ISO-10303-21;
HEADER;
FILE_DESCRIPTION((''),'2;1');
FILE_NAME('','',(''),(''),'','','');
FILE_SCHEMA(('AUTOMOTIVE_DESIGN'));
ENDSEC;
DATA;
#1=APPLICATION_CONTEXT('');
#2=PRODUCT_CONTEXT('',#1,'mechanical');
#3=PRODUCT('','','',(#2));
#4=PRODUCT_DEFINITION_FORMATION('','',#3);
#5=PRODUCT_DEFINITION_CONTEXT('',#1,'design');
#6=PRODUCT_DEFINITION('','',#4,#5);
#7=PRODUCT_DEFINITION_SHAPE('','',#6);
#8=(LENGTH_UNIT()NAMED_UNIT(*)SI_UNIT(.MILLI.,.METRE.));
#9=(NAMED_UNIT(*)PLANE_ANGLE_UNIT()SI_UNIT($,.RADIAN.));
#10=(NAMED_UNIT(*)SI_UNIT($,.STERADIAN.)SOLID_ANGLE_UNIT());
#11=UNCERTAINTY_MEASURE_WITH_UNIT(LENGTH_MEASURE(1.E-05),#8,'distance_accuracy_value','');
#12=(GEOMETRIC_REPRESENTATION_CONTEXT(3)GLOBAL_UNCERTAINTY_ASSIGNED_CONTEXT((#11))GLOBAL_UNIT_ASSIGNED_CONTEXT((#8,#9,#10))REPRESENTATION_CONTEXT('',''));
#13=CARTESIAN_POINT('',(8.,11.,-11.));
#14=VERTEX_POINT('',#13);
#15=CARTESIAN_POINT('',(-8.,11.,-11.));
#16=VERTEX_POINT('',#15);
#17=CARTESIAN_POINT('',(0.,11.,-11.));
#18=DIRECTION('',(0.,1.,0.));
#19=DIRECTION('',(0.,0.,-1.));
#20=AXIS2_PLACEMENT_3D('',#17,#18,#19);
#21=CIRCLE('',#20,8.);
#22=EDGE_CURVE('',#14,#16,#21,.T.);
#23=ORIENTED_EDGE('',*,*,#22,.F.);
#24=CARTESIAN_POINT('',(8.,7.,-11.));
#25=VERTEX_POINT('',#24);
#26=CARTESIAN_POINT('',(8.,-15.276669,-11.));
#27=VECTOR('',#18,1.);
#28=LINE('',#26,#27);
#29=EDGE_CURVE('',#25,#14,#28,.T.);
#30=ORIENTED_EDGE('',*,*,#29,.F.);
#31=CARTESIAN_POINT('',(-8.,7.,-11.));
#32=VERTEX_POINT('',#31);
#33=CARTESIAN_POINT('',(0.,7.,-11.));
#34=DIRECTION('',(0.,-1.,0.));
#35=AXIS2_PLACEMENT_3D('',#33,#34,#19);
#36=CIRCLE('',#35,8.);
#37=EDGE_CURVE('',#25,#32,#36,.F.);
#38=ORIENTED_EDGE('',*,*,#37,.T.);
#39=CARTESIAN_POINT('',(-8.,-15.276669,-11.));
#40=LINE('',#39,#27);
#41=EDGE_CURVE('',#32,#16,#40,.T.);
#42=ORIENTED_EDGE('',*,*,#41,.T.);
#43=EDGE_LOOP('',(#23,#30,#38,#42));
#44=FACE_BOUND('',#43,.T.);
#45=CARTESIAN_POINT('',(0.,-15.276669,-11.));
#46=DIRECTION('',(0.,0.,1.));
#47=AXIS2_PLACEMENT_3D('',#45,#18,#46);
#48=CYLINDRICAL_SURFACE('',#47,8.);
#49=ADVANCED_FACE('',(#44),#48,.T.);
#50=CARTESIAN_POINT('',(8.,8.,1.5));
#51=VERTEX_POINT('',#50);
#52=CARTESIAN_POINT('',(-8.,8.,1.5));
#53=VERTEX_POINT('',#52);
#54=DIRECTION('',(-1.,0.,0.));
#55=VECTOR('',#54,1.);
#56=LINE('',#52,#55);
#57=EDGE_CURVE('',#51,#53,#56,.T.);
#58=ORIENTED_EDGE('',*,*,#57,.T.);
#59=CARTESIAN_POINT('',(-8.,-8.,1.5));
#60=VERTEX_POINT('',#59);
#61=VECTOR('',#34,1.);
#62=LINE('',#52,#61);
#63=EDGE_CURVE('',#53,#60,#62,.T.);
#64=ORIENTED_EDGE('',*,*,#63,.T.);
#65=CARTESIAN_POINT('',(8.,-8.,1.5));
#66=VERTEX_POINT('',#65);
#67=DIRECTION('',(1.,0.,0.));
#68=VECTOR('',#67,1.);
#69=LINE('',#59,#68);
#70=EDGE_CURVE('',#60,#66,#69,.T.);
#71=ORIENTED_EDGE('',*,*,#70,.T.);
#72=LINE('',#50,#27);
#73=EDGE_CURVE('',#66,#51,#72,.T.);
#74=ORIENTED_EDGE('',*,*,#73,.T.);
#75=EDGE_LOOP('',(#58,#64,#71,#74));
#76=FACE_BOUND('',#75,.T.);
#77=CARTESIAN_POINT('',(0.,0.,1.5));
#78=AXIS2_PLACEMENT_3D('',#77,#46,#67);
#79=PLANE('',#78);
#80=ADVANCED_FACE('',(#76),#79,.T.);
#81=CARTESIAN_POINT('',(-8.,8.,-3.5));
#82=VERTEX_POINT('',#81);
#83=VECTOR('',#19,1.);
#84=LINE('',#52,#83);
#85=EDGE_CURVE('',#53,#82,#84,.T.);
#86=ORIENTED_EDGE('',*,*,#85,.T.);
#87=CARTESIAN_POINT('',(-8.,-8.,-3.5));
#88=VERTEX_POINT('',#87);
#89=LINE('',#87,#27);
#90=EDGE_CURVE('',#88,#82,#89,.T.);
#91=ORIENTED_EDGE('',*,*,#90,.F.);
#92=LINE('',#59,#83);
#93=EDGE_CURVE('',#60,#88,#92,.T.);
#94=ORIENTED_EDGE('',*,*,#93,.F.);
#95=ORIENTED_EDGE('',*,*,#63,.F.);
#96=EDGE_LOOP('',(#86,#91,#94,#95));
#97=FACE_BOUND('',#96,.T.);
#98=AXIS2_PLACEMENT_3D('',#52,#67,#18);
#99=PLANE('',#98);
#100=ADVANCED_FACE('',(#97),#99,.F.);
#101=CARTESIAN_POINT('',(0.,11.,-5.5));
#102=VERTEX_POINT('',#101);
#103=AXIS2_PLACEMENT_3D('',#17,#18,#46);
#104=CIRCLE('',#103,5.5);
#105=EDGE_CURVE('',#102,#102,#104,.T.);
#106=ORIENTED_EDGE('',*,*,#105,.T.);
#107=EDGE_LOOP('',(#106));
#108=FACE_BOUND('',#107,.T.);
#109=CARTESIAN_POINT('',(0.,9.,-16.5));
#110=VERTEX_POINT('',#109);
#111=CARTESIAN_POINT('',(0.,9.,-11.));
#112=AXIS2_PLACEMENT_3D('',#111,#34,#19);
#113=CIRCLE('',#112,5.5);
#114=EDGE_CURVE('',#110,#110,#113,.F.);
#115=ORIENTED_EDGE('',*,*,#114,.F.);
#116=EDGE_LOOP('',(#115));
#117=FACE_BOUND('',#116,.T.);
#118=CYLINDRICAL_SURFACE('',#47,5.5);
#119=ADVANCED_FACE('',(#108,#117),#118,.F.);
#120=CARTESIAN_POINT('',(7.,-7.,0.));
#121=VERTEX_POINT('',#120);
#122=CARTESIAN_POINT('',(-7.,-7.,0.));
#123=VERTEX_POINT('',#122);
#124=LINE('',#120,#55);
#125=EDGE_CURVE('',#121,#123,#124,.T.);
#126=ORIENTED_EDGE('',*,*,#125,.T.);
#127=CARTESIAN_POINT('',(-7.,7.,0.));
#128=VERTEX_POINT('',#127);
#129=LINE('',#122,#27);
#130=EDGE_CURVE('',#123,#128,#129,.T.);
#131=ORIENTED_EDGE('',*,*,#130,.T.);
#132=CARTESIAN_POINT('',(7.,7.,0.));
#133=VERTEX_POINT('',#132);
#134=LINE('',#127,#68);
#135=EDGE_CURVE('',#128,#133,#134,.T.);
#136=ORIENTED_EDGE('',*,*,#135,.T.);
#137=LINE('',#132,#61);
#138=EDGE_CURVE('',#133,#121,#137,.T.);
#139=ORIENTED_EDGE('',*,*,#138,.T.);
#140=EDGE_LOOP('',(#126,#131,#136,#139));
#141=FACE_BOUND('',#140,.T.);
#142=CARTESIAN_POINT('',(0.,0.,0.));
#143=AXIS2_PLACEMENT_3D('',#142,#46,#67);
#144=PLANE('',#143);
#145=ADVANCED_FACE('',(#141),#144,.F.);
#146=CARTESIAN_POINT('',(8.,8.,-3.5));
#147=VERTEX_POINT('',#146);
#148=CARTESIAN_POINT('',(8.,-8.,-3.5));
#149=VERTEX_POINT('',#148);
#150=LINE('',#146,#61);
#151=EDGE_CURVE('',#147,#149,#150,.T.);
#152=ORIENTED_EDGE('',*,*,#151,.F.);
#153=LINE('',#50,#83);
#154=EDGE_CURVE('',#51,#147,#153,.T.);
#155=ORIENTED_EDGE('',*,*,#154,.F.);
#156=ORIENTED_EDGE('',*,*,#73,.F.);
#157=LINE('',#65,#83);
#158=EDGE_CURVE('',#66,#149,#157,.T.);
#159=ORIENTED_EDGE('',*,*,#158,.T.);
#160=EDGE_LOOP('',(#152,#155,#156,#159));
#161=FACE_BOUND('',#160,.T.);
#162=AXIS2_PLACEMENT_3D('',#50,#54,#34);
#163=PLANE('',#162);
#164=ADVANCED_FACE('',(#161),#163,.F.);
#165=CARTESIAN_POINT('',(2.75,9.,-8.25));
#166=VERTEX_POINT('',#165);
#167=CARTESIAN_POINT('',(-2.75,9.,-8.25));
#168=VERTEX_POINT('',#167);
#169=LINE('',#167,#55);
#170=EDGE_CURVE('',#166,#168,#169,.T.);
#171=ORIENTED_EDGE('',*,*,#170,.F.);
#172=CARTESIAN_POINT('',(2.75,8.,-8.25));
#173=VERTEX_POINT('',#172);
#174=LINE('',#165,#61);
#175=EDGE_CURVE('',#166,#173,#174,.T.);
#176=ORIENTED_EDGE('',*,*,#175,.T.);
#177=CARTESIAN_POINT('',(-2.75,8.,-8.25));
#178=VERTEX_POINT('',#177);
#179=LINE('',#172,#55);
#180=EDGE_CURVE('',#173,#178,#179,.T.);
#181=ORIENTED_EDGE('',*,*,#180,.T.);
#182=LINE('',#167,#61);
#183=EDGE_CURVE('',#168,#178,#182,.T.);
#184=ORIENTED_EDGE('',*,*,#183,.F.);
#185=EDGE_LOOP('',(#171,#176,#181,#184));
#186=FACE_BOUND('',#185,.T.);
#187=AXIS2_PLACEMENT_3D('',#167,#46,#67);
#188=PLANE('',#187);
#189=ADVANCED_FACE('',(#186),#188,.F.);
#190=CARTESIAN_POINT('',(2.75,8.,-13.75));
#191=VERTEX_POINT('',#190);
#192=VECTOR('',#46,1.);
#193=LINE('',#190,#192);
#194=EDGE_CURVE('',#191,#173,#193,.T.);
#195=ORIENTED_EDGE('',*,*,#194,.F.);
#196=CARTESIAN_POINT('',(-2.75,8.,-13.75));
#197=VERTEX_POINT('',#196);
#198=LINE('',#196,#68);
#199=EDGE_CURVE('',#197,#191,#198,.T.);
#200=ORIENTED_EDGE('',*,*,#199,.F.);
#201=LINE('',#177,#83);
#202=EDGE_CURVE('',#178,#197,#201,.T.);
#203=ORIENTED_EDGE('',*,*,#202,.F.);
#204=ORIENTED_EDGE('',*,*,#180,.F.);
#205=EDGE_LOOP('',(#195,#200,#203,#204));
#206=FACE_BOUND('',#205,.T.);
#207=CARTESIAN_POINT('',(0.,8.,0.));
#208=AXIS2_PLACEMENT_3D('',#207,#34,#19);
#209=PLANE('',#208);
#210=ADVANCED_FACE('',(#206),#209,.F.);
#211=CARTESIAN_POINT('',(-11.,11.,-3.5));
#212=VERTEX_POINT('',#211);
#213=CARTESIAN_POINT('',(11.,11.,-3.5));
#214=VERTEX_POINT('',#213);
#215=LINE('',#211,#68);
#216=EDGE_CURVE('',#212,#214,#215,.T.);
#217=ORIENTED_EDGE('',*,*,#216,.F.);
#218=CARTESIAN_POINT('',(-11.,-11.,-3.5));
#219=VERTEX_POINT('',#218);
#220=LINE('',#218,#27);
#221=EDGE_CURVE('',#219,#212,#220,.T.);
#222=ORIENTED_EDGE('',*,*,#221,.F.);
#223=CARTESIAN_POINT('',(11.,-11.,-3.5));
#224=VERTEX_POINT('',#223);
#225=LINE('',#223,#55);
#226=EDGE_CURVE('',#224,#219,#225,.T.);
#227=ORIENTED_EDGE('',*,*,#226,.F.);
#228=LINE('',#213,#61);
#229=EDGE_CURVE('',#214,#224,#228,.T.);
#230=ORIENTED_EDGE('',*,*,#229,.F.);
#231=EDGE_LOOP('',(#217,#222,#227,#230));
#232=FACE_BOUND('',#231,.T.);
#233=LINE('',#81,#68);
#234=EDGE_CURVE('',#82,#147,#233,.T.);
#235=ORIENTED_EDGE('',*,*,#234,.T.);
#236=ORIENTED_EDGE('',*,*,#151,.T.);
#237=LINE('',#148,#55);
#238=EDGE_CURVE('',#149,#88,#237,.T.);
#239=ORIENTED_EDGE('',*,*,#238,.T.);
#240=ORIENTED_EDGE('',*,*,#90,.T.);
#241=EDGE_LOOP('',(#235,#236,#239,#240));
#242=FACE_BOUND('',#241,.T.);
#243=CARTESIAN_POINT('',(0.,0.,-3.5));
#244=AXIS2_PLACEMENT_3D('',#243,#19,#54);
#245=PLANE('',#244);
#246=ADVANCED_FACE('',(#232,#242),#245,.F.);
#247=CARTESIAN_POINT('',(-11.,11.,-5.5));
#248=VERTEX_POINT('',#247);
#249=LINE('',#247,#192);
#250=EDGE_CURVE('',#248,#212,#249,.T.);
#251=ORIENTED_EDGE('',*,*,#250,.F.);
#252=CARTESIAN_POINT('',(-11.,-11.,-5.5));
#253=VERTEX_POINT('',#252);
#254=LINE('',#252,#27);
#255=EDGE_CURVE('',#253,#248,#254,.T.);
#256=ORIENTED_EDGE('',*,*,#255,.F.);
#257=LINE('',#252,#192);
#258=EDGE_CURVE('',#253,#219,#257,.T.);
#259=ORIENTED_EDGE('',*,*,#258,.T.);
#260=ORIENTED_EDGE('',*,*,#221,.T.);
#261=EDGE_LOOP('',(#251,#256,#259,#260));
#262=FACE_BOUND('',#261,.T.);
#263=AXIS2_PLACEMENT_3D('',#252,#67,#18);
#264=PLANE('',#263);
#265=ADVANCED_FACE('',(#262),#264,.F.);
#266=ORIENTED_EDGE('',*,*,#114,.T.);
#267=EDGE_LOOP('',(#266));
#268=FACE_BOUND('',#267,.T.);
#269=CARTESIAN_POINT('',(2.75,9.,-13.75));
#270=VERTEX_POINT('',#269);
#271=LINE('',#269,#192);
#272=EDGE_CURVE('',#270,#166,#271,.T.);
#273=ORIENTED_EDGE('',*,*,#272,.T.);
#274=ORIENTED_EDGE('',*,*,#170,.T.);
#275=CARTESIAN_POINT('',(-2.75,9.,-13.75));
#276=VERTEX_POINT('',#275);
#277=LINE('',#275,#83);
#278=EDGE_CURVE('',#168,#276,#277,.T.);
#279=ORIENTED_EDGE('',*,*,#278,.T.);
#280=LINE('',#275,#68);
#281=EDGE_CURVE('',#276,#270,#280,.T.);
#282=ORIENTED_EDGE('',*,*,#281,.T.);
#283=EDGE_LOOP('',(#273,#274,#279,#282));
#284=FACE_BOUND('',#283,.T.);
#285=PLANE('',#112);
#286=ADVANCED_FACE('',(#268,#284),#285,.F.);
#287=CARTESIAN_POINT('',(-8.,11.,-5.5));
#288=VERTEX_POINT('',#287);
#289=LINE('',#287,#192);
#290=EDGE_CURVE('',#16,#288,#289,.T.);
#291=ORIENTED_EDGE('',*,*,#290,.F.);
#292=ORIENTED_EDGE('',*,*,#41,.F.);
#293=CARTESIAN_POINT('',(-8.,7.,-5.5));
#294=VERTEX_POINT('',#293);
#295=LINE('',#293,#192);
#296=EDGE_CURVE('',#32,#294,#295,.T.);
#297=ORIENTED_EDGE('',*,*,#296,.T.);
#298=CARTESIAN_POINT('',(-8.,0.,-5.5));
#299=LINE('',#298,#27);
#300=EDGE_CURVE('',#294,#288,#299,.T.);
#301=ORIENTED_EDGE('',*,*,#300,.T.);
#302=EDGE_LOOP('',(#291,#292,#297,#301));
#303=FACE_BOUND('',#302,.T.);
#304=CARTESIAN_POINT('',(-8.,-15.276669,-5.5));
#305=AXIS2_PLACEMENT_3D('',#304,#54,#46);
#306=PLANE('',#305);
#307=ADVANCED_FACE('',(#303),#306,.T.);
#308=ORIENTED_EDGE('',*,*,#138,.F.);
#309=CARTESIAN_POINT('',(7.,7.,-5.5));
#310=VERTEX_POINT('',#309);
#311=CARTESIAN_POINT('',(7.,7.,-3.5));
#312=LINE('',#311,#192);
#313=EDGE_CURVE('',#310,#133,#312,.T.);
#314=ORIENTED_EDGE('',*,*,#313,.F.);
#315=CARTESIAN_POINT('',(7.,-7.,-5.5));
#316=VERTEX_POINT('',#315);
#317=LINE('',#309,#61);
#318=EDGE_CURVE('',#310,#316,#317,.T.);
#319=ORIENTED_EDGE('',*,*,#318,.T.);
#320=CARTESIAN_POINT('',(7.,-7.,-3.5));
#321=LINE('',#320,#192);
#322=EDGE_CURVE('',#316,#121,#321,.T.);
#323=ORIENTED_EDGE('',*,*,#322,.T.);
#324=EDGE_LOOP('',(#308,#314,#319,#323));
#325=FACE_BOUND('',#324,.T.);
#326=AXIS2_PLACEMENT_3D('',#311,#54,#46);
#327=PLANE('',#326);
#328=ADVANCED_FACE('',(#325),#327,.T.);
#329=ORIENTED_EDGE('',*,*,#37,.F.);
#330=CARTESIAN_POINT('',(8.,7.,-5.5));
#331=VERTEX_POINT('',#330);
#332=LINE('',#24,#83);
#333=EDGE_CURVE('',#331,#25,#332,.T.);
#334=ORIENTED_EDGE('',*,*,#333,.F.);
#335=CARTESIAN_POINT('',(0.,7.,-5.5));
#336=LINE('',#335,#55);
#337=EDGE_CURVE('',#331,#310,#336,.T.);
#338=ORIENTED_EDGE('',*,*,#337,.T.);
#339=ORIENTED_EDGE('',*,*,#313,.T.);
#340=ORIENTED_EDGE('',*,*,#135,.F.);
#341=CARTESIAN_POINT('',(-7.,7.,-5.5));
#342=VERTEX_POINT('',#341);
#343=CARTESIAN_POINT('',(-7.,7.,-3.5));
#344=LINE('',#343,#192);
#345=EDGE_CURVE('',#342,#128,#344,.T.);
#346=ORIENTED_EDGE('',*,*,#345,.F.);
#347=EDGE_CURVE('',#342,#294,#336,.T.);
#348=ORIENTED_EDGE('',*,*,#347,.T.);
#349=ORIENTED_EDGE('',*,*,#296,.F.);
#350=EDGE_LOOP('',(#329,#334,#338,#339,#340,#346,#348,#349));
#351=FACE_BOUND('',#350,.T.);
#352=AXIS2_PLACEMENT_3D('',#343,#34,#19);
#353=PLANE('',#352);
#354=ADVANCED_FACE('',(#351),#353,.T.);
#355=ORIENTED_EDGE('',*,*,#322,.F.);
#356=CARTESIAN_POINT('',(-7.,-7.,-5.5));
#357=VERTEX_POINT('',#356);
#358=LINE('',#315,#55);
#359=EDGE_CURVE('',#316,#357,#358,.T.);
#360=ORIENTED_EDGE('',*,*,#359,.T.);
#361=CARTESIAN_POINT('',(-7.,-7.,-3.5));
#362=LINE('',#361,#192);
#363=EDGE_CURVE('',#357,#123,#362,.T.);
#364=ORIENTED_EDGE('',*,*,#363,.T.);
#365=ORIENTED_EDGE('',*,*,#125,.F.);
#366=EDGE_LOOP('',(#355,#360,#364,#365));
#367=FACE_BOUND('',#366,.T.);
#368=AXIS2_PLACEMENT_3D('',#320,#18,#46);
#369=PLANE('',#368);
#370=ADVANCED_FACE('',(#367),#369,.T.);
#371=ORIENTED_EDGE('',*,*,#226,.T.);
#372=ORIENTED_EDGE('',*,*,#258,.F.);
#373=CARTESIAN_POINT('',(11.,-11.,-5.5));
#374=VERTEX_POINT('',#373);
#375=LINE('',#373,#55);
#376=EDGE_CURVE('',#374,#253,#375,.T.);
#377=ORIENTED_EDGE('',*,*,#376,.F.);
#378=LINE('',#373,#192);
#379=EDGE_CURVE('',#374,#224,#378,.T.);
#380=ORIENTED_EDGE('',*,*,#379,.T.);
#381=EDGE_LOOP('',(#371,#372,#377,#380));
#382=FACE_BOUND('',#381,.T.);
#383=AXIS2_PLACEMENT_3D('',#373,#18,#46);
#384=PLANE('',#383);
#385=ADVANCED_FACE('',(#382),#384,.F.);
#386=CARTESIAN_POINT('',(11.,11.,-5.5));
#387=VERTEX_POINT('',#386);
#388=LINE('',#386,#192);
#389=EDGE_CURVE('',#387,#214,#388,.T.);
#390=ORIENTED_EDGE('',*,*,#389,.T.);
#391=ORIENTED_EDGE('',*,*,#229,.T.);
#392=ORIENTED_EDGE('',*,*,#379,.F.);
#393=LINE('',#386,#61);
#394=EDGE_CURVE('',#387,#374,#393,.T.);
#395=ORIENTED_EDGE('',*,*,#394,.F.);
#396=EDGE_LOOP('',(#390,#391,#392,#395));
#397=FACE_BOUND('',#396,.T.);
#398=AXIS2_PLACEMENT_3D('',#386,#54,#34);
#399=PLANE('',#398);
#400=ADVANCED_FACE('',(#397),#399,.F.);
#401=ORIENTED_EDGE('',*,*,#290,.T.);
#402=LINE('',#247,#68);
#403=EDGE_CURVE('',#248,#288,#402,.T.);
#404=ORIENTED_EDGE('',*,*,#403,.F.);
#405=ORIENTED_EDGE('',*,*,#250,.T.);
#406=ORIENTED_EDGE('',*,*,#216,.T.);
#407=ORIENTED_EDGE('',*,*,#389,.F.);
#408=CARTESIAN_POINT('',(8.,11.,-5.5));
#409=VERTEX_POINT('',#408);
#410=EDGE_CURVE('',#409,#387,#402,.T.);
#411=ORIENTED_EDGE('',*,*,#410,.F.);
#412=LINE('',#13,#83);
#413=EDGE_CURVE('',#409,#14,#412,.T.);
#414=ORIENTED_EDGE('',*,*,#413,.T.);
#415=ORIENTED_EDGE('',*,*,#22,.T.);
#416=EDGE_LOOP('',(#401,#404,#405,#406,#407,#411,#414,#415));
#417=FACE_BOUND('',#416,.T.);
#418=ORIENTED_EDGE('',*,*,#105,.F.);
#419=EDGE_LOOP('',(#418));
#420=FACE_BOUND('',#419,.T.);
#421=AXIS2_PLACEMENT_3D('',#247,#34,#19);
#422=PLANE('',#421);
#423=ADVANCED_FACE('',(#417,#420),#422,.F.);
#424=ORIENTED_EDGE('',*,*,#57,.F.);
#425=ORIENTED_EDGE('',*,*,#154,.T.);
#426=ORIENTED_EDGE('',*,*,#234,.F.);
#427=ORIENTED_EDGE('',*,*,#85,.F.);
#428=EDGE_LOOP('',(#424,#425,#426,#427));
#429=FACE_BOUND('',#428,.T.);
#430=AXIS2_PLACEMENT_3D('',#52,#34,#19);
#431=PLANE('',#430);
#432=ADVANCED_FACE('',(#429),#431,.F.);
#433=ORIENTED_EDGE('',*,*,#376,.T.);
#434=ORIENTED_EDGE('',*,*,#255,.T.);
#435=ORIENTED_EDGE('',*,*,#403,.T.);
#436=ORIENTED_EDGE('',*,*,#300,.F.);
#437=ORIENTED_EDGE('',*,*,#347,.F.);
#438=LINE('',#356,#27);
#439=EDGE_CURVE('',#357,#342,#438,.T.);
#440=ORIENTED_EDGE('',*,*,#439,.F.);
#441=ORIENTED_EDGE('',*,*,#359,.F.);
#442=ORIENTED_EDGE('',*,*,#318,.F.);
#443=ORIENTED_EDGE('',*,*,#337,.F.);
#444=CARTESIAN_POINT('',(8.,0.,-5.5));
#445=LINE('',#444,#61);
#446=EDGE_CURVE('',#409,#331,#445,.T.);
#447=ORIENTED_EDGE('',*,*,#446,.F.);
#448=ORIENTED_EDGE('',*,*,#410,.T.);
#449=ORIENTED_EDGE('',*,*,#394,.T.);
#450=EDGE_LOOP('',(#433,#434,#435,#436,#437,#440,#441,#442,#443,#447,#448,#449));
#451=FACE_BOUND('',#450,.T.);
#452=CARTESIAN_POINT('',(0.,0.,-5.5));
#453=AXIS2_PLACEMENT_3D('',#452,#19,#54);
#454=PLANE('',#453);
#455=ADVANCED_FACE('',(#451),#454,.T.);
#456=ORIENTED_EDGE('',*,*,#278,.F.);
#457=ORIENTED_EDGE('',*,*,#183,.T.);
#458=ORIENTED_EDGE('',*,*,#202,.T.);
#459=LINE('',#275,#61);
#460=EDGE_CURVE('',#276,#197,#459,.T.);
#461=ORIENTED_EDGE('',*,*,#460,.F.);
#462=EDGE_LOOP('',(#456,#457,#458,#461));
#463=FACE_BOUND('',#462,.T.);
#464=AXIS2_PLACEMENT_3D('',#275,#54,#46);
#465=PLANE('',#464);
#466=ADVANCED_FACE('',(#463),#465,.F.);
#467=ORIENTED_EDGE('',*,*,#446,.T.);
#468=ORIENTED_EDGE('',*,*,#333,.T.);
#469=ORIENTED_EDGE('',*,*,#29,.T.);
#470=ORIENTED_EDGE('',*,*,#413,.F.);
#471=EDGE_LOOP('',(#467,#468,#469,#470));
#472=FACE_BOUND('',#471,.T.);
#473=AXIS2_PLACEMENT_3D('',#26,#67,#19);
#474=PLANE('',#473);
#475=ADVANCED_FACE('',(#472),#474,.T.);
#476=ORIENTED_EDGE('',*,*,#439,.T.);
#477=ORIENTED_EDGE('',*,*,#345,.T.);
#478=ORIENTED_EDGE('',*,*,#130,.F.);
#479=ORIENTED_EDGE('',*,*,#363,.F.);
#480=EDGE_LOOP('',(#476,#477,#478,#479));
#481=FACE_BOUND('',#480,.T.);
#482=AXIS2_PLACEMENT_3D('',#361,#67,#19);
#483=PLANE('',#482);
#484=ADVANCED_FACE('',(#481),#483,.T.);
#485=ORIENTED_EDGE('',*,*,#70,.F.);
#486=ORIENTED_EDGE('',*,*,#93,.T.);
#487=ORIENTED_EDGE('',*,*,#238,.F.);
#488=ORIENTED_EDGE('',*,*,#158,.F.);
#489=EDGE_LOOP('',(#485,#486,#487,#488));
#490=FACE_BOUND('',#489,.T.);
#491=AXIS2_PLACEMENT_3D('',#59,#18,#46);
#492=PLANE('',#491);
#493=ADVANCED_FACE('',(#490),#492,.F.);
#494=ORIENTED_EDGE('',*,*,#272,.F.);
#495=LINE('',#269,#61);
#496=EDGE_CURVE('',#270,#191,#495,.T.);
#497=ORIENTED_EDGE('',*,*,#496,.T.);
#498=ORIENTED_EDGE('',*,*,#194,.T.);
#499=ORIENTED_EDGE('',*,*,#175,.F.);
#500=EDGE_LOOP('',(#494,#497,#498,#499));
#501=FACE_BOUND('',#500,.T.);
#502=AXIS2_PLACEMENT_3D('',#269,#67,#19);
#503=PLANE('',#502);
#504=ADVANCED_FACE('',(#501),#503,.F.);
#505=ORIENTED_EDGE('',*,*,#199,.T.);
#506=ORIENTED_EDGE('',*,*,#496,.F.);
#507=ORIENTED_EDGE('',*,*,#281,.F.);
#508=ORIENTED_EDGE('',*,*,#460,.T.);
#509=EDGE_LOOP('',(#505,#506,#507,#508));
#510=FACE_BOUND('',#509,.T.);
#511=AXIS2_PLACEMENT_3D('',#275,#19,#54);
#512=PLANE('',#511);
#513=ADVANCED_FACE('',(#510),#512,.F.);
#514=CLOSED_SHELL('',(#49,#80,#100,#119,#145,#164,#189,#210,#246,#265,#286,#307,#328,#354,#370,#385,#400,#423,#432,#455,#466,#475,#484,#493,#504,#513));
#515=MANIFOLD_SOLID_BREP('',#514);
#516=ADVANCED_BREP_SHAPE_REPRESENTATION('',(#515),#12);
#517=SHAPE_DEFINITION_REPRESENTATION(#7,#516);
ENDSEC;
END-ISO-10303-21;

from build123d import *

# Parameters (mm, degrees)
SKETCH1_W             = 16
SKETCH1_H             = 16
FRONT_OF_SWITCH_DEPTH = 1.5
SKETCH2_W             = 16
SKETCH2_H             = 16
SKETCH2_W_2           = 14
SKETCH2_H_2           = 14
SIDES_OF_SWITCH_DEPTH = 3.5
SKETCH3_W             = 22
SKETCH3_H             = 22
SKETCH3_W_2           = 14
SKETCH3_H_2           = 14
BOSS_EXTRUDE3_DEPTH   = 2
SKETCH4_R             = 5.5
BOSS_EXTRUDE4_DEPTH   = 4
BOSS_EXTRUDE5_START   = -2
SKETCH5_R             = 5.5
SKETCH5_W             = 5.5
SKETCH5_H             = 5.5
BOSS_EXTRUDE5_DEPTH   = 2
SKETCH6_W             = 5.5
SKETCH6_H             = 5.5
BOSS_EXTRUDE6_DEPTH   = 1


with BuildPart() as part:
    # Sketch1 → Front of switch (new body)
    with BuildSketch(Plane.XY):
        Rectangle(SKETCH1_W, SKETCH1_H)
    extrude(amount=FRONT_OF_SWITCH_DEPTH)

    # Sketch2 → Sides of switch (add)
    with BuildSketch(Plane(origin=(0, 0, 0), x_dir=(-1, 0, 0), z_dir=(0, 0, -1))):
        Rectangle(SKETCH2_W, SKETCH2_H)
        Rectangle(SKETCH2_W_2, SKETCH2_H_2, mode=Mode.SUBTRACT)
    extrude(amount=SIDES_OF_SWITCH_DEPTH)

    # Sketch3 → Boss-Extrude3 (add)
    with BuildSketch(Plane(origin=(0, 0, -3.5), x_dir=(-1, 0, 0), z_dir=(0, 0, -1))):
        Rectangle(SKETCH3_W, SKETCH3_H)
        Rectangle(SKETCH3_W_2, SKETCH3_H_2, mode=Mode.SUBTRACT)
    extrude(amount=BOSS_EXTRUDE3_DEPTH)

    # Sketch4 → Boss-Extrude4 (add)
    with BuildSketch(Plane(origin=(0, 11, 0), x_dir=(1, 0, 0), z_dir=(0, 1, 0))):
        with BuildLine():
            Line((-8, 5.5), (-8, 11))
            ThreePointArc((-8, 11), (0, 19), (8, 11))
            Line((8, 11), (8, 5.5))
            Line((8, 5.5), (8, 3.5))
            Line((8, 3.5), (-8, 3.5))
            Line((-8, 3.5), (-8, 5.5))
        make_face()
        with Locations(Location((0, 11, 0), (0, 0, 270))):
            Circle(SKETCH4_R, mode=Mode.SUBTRACT)
    extrude(amount=-BOSS_EXTRUDE4_DEPTH)

    # Sketch5 → Boss-Extrude5 (add)
    with BuildSketch(Plane.XZ.offset(-7).offset(BOSS_EXTRUDE5_START)):
        with Locations(Location((0, -11, 0), (0, 0, 90))):
            Circle(SKETCH5_R)
        with Locations((0, -11)):
            Rectangle(SKETCH5_W, SKETCH5_H, mode=Mode.SUBTRACT)
    extrude(amount=BOSS_EXTRUDE5_DEPTH)

    # Sketch6 → Boss-Extrude6 (add)
    with BuildSketch(Plane.XZ.offset(-7)):
        with Locations((0, -11)):
            Rectangle(SKETCH6_W, SKETCH6_H)
    extrude(amount=-BOSS_EXTRUDE6_DEPTH)


solid = part.part
